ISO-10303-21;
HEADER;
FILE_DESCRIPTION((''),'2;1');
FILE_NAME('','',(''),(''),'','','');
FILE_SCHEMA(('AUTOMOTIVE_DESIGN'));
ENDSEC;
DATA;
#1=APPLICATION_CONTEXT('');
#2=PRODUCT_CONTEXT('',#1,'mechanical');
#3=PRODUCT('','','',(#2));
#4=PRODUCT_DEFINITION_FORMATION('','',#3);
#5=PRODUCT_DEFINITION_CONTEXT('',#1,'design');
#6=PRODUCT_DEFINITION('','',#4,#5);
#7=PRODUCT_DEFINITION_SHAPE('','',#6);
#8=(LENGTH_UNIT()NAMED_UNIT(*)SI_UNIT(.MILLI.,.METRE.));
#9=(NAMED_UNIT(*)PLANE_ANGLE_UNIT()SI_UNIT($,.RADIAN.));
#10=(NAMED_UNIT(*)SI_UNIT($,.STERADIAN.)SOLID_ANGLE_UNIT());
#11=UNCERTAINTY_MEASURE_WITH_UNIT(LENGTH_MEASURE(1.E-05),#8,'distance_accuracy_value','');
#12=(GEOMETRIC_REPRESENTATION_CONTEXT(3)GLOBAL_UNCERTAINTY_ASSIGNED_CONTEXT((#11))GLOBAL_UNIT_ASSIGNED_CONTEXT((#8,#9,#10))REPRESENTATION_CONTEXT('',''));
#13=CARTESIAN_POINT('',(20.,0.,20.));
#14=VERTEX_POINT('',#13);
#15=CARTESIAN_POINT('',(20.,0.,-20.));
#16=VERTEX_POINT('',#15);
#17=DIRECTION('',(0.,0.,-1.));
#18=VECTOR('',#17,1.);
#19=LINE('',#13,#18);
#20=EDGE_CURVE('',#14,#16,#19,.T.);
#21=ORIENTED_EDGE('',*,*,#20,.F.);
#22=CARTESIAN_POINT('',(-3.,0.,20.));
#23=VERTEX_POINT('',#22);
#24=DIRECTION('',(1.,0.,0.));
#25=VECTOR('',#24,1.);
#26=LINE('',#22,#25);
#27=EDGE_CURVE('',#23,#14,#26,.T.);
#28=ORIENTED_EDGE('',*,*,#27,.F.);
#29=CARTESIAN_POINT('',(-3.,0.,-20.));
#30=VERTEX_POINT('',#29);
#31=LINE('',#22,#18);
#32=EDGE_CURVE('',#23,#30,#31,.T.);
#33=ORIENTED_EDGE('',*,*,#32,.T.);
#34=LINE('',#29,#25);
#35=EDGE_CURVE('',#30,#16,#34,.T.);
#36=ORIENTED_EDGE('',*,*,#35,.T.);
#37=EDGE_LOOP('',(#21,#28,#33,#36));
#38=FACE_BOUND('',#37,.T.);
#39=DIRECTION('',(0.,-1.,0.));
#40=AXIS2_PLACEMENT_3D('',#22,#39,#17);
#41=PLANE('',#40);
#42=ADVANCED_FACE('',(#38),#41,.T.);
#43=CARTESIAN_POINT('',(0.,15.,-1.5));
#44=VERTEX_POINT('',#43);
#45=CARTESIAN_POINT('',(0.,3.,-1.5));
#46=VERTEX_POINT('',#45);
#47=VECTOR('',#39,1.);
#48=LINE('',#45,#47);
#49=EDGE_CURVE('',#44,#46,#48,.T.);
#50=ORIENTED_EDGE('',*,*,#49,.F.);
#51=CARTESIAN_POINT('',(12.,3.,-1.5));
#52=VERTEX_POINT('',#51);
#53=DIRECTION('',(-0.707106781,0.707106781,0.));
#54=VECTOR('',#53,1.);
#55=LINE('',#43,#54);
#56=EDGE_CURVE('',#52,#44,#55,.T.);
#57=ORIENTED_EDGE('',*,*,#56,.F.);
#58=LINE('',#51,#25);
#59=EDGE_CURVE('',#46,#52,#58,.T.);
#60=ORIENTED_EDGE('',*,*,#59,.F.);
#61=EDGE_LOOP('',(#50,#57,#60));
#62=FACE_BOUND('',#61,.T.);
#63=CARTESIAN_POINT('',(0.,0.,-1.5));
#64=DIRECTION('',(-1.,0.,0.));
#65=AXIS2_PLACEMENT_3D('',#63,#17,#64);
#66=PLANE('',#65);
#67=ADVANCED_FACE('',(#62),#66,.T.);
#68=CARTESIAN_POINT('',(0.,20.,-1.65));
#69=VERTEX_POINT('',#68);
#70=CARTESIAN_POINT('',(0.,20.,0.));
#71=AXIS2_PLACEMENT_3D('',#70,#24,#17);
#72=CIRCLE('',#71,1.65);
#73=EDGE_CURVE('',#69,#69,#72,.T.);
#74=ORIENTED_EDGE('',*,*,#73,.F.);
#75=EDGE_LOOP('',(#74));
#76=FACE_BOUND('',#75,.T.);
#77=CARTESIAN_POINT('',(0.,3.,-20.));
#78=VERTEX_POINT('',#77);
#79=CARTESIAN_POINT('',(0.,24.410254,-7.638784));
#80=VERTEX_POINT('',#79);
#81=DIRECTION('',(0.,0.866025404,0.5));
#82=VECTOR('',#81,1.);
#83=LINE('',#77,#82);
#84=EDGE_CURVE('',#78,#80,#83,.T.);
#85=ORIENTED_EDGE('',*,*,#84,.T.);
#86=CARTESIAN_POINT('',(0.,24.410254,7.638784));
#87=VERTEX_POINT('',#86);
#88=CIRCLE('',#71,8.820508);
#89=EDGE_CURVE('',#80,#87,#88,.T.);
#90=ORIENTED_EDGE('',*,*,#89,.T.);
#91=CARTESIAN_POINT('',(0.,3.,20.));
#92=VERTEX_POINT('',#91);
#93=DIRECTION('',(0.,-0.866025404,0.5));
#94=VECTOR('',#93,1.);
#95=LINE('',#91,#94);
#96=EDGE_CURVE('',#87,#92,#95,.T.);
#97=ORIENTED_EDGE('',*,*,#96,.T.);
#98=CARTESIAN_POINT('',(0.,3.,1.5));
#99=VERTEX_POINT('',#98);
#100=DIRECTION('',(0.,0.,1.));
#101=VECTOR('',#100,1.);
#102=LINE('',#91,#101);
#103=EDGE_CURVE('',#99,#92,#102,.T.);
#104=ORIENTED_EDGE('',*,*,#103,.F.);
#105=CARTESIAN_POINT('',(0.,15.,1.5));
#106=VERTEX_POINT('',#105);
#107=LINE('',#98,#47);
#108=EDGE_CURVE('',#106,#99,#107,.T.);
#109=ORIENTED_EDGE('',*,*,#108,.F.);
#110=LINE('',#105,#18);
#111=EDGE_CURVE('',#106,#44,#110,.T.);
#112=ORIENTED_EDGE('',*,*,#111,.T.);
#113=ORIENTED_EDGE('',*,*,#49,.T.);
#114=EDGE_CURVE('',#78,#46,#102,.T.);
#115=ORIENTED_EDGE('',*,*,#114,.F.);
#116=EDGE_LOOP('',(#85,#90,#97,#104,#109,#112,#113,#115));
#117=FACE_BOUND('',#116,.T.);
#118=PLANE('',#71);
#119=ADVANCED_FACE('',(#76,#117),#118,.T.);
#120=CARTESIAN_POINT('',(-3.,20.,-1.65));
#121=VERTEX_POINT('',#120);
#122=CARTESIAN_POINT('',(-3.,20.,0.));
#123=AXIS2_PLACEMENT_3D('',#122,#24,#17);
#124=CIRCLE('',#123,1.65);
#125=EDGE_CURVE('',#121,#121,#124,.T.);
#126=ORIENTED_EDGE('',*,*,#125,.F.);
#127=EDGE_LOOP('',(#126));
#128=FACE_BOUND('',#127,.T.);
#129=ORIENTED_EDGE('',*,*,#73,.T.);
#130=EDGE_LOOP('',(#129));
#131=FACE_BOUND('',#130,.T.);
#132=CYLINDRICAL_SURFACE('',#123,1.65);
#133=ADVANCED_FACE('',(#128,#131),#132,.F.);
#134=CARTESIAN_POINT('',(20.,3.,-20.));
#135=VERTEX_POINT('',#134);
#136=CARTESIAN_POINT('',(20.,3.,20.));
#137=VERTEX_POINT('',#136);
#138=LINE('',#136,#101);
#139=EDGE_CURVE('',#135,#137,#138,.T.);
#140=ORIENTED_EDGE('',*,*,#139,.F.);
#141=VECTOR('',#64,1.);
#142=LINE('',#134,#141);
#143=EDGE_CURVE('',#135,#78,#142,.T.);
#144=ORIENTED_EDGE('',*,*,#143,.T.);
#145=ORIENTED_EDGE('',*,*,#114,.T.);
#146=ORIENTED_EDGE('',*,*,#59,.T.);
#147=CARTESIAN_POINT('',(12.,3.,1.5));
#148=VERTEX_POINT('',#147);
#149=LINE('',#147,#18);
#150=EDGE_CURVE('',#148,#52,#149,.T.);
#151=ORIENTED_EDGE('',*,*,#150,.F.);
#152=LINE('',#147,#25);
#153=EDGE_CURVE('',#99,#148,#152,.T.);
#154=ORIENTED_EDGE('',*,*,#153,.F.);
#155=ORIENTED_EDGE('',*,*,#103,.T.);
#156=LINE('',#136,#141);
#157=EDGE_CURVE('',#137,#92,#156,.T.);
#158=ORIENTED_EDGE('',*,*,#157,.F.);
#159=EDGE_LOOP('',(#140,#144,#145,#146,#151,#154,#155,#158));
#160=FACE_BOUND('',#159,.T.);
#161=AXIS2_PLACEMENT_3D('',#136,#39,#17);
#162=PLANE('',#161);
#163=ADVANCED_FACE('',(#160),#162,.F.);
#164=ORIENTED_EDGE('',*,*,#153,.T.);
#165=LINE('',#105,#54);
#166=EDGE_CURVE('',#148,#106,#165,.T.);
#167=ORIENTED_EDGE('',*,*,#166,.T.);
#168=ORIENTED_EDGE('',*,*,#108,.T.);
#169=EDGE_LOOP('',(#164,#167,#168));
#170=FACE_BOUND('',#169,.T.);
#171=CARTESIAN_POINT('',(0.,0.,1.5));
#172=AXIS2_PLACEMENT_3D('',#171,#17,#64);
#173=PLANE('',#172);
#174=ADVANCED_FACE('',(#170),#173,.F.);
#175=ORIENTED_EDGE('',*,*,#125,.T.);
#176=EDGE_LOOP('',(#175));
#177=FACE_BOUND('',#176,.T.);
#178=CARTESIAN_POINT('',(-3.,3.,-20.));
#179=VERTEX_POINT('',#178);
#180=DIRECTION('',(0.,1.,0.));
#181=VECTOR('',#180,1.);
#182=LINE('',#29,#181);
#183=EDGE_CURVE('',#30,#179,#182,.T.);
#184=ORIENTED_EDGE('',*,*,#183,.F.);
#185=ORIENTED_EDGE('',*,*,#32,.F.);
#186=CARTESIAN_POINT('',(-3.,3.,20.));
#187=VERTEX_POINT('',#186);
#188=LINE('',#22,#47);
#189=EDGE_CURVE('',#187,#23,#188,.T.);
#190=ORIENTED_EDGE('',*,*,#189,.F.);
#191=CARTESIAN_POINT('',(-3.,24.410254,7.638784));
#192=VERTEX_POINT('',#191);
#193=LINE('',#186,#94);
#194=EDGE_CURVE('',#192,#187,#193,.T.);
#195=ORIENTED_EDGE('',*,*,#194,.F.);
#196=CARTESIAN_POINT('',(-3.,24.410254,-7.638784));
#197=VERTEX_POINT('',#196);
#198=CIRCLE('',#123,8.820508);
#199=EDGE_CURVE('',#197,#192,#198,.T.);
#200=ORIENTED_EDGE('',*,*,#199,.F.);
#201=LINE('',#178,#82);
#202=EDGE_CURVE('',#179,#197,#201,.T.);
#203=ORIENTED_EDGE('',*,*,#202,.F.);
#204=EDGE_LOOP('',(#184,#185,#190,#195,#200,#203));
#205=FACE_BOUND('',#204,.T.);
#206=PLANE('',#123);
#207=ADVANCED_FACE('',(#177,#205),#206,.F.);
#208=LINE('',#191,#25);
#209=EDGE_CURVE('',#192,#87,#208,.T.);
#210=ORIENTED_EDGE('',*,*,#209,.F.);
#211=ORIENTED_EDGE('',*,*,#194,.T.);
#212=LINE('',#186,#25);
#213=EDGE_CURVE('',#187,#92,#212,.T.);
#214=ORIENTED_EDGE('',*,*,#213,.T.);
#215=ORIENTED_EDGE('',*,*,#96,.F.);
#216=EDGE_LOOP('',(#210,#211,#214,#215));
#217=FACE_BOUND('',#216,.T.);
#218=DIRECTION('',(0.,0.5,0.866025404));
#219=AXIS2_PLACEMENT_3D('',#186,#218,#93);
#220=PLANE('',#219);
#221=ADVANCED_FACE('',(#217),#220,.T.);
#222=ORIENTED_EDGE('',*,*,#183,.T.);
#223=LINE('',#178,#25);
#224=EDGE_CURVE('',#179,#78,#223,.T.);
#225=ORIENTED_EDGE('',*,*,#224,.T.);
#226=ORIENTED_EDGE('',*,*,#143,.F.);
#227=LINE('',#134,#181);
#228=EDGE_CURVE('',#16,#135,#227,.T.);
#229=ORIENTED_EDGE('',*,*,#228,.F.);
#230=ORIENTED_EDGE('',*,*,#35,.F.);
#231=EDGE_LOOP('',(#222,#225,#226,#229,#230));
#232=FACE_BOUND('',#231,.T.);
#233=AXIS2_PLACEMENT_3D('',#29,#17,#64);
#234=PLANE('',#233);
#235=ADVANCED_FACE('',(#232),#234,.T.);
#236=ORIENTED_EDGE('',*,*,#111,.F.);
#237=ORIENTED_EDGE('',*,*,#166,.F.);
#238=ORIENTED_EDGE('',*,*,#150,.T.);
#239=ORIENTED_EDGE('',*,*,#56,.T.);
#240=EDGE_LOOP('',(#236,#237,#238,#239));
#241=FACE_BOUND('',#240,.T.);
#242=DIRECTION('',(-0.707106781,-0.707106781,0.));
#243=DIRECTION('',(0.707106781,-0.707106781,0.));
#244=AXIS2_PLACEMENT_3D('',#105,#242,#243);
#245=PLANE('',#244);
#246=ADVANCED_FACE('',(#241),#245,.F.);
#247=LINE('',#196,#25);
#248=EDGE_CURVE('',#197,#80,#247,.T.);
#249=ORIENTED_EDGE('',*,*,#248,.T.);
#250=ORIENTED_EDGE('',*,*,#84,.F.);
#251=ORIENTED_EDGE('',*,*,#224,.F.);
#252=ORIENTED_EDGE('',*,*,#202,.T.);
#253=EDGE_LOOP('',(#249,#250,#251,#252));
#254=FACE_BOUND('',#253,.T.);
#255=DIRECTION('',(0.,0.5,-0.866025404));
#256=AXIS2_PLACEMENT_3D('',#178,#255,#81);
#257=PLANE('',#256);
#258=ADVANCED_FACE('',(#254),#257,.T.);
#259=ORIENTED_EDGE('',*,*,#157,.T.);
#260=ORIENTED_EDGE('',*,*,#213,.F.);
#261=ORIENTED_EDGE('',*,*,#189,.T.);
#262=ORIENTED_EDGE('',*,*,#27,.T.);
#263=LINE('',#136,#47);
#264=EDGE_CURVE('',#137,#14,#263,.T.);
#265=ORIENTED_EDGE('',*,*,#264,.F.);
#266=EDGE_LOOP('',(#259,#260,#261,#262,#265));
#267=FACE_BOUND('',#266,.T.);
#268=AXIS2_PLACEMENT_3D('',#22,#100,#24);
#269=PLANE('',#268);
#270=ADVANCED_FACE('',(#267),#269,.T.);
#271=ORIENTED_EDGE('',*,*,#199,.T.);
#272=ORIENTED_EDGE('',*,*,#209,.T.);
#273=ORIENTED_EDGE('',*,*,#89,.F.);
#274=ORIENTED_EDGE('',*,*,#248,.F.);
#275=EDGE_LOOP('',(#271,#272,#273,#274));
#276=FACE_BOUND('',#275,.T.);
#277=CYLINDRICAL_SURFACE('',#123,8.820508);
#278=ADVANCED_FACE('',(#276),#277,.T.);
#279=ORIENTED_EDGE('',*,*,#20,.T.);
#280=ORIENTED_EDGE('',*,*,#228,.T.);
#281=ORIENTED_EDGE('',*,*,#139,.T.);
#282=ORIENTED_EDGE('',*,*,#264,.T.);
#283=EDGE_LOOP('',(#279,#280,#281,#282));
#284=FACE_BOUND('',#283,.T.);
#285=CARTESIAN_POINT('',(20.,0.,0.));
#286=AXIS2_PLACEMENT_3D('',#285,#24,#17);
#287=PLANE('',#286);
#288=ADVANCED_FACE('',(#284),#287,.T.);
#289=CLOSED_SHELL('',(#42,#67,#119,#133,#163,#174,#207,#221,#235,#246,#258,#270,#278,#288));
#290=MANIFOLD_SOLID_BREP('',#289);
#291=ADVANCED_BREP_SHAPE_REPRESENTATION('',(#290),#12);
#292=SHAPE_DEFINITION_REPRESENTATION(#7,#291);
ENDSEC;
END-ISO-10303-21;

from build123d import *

# Parameters (mm, degrees)
EXTRUDE_1_DEPTH     = 3
SKETCH_2_R          = 1.65
CUT_EXTRUDE_1_DEPTH = 4
SKETCH_3_W          = 40
SKETCH_3_H          = 3
EXTRUDE_2_DEPTH     = 20
EXTRUDE_3_DEPTH     = 1.5


with BuildPart() as part:
    # 草图1 → 凸台-拉伸1 (new body)
    with BuildSketch(Plane(origin=(0, 0, 0), x_dir=(0, 0, -1), z_dir=(1, 0, 0))):
        with BuildLine():
            Line((-20, 0), (20, 0))
            Line((20, 0), (20, 3))
            Line((20, 3), (7.638784068, 24.410254038))
            ThreePointArc((7.638784068, 24.410254038), (0, 28.820508076), (-7.638784068, 24.410254038))
            Line((-7.638784068, 24.410254038), (-20, 3))
            Line((-20, 3), (-20, 0))
        make_face()
    extrude(amount=-EXTRUDE_1_DEPTH)

    # 草图2 → 切除-拉伸1 (cut, through all)
    with BuildSketch(Plane(origin=(0, 0, 0), x_dir=(0, 0, -1), z_dir=(1, 0, 0))):
        with Locations((0, 20)):
            Circle(SKETCH_2_R)
    extrude(amount=-CUT_EXTRUDE_1_DEPTH, mode=Mode.SUBTRACT)

    # 草图3 → 凸台-拉伸2 (add)
    with BuildSketch(Plane(origin=(0, 0, 0), x_dir=(0, 0, -1), z_dir=(1, 0, 0))):
        with Locations((0, 1.5)):
            Rectangle(SKETCH_3_W, SKETCH_3_H)
    extrude(amount=EXTRUDE_2_DEPTH)

    # 草图4 → 凸台-拉伸3 (add, symmetric)
    with BuildSketch(Plane.XY):
        Polygon((0, 3), (0, 15), (12, 3), align=None)
    extrude(amount=EXTRUDE_3_DEPTH, both=True)


solid = part.part
